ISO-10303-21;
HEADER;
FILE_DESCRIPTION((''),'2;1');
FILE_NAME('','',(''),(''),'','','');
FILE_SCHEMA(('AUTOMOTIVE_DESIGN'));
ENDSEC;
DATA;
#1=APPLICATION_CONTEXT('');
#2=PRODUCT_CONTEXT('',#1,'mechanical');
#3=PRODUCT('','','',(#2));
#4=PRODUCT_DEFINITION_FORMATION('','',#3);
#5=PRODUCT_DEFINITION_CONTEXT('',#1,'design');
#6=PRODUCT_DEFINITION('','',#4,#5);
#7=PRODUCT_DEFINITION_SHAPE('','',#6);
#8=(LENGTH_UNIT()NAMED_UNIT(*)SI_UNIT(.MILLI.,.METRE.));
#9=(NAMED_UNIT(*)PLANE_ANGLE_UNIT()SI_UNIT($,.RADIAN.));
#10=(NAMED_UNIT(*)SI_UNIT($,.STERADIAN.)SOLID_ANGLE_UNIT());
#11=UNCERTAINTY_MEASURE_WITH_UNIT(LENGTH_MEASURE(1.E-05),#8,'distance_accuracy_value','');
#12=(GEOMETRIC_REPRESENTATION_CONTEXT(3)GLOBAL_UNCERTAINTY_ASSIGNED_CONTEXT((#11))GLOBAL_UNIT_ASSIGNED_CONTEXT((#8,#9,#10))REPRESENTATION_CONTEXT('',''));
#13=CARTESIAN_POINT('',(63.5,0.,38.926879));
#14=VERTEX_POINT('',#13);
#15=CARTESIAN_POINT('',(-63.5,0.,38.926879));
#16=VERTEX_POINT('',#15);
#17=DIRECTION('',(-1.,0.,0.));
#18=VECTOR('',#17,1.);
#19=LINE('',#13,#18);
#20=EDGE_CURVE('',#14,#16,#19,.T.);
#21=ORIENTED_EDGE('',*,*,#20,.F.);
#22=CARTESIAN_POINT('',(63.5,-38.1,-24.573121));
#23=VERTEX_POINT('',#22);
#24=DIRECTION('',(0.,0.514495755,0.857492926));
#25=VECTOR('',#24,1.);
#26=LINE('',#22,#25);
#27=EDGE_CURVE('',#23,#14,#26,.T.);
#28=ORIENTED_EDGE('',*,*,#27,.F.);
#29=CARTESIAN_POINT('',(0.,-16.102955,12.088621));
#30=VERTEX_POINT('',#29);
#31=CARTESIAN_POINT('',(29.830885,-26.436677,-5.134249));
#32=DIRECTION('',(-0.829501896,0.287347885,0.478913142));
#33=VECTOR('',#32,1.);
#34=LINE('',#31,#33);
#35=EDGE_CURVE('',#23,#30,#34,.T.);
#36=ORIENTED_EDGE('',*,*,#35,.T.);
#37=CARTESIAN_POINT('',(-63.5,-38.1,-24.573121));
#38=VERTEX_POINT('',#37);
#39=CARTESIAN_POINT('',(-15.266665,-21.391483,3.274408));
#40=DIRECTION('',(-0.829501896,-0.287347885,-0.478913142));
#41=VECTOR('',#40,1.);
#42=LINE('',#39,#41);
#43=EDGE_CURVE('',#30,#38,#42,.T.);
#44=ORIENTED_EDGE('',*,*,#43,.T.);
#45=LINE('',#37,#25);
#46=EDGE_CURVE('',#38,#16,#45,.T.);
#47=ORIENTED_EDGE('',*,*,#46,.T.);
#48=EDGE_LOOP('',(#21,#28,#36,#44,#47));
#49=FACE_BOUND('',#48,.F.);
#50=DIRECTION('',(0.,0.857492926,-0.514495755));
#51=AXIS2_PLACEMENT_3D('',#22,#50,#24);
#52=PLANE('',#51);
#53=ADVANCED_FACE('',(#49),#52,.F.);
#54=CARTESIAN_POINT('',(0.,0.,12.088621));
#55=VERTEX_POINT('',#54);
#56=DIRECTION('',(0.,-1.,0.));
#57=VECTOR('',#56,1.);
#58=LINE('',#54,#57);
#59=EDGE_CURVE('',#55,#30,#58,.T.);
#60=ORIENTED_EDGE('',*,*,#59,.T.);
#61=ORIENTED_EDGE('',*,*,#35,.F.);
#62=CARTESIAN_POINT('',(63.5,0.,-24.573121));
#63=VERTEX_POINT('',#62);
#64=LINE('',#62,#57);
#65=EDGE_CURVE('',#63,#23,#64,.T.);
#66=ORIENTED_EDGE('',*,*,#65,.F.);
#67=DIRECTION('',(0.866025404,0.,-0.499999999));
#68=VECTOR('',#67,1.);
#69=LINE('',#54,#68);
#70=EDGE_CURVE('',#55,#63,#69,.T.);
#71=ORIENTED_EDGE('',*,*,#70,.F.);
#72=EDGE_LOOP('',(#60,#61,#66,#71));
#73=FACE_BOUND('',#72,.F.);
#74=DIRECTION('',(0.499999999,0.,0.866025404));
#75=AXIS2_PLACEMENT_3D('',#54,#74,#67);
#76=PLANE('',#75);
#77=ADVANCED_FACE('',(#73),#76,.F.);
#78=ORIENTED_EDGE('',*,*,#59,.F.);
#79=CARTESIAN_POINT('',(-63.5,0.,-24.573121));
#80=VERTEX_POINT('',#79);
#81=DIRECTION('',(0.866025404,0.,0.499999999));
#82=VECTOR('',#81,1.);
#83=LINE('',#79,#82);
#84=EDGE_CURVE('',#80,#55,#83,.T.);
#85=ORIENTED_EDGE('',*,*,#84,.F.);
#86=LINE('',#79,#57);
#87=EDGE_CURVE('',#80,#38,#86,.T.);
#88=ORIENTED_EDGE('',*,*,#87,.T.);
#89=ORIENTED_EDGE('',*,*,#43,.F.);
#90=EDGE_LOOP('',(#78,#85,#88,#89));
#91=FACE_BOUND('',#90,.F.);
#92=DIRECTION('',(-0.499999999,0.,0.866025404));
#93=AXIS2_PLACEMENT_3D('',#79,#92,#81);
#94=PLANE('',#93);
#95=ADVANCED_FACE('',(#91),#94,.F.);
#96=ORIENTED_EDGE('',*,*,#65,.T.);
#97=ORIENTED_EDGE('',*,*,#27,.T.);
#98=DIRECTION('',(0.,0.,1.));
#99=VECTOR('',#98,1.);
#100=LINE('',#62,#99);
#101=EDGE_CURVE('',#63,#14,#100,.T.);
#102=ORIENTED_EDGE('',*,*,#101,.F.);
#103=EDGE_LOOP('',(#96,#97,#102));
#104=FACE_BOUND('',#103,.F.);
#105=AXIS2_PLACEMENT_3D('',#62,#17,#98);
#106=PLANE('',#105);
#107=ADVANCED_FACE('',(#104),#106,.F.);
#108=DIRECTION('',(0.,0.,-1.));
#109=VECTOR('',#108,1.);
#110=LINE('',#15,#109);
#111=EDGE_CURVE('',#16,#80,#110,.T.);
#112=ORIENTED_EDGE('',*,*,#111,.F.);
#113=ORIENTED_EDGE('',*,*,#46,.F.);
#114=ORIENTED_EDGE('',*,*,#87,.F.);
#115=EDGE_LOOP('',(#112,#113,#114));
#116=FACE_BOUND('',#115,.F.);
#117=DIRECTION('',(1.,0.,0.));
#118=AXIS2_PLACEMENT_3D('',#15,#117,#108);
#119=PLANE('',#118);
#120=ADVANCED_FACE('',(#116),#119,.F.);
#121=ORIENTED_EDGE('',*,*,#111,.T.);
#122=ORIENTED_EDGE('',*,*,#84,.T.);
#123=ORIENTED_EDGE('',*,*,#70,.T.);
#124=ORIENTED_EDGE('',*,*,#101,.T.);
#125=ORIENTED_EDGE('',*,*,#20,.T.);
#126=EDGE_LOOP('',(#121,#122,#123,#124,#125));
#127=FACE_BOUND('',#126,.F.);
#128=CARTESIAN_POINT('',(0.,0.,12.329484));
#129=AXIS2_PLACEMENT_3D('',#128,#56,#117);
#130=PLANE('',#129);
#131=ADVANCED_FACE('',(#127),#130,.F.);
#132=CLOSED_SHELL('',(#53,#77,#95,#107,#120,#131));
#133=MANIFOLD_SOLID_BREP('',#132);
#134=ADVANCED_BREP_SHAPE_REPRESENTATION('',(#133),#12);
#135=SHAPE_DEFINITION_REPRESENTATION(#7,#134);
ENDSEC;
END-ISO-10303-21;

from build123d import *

# Parameters (mm, degrees)
F1_DEPTH = 38.1
F3_DEPTH = 127


with BuildPart() as f1:
    # F0 (on Front) → F1 (new body)
    with BuildSketch(Plane.XZ):
        Polygon((63.5, 38.926879), (-63.5, 38.926879), (-63.5, -24.573121), (0, 12.088621), (63.5, -24.573121), align=None)
    extrude(amount=F1_DEPTH)

    # F2 (on face) → F3 (cut)
    with BuildSketch(Plane.YZ.offset(63.5)):
        Polygon((-38.1, 38.926879), (-38.1, -24.573121), (0, 38.926879), align=None)
    extrude(amount=-F3_DEPTH, mode=Mode.SUBTRACT)


solid = f1.part
